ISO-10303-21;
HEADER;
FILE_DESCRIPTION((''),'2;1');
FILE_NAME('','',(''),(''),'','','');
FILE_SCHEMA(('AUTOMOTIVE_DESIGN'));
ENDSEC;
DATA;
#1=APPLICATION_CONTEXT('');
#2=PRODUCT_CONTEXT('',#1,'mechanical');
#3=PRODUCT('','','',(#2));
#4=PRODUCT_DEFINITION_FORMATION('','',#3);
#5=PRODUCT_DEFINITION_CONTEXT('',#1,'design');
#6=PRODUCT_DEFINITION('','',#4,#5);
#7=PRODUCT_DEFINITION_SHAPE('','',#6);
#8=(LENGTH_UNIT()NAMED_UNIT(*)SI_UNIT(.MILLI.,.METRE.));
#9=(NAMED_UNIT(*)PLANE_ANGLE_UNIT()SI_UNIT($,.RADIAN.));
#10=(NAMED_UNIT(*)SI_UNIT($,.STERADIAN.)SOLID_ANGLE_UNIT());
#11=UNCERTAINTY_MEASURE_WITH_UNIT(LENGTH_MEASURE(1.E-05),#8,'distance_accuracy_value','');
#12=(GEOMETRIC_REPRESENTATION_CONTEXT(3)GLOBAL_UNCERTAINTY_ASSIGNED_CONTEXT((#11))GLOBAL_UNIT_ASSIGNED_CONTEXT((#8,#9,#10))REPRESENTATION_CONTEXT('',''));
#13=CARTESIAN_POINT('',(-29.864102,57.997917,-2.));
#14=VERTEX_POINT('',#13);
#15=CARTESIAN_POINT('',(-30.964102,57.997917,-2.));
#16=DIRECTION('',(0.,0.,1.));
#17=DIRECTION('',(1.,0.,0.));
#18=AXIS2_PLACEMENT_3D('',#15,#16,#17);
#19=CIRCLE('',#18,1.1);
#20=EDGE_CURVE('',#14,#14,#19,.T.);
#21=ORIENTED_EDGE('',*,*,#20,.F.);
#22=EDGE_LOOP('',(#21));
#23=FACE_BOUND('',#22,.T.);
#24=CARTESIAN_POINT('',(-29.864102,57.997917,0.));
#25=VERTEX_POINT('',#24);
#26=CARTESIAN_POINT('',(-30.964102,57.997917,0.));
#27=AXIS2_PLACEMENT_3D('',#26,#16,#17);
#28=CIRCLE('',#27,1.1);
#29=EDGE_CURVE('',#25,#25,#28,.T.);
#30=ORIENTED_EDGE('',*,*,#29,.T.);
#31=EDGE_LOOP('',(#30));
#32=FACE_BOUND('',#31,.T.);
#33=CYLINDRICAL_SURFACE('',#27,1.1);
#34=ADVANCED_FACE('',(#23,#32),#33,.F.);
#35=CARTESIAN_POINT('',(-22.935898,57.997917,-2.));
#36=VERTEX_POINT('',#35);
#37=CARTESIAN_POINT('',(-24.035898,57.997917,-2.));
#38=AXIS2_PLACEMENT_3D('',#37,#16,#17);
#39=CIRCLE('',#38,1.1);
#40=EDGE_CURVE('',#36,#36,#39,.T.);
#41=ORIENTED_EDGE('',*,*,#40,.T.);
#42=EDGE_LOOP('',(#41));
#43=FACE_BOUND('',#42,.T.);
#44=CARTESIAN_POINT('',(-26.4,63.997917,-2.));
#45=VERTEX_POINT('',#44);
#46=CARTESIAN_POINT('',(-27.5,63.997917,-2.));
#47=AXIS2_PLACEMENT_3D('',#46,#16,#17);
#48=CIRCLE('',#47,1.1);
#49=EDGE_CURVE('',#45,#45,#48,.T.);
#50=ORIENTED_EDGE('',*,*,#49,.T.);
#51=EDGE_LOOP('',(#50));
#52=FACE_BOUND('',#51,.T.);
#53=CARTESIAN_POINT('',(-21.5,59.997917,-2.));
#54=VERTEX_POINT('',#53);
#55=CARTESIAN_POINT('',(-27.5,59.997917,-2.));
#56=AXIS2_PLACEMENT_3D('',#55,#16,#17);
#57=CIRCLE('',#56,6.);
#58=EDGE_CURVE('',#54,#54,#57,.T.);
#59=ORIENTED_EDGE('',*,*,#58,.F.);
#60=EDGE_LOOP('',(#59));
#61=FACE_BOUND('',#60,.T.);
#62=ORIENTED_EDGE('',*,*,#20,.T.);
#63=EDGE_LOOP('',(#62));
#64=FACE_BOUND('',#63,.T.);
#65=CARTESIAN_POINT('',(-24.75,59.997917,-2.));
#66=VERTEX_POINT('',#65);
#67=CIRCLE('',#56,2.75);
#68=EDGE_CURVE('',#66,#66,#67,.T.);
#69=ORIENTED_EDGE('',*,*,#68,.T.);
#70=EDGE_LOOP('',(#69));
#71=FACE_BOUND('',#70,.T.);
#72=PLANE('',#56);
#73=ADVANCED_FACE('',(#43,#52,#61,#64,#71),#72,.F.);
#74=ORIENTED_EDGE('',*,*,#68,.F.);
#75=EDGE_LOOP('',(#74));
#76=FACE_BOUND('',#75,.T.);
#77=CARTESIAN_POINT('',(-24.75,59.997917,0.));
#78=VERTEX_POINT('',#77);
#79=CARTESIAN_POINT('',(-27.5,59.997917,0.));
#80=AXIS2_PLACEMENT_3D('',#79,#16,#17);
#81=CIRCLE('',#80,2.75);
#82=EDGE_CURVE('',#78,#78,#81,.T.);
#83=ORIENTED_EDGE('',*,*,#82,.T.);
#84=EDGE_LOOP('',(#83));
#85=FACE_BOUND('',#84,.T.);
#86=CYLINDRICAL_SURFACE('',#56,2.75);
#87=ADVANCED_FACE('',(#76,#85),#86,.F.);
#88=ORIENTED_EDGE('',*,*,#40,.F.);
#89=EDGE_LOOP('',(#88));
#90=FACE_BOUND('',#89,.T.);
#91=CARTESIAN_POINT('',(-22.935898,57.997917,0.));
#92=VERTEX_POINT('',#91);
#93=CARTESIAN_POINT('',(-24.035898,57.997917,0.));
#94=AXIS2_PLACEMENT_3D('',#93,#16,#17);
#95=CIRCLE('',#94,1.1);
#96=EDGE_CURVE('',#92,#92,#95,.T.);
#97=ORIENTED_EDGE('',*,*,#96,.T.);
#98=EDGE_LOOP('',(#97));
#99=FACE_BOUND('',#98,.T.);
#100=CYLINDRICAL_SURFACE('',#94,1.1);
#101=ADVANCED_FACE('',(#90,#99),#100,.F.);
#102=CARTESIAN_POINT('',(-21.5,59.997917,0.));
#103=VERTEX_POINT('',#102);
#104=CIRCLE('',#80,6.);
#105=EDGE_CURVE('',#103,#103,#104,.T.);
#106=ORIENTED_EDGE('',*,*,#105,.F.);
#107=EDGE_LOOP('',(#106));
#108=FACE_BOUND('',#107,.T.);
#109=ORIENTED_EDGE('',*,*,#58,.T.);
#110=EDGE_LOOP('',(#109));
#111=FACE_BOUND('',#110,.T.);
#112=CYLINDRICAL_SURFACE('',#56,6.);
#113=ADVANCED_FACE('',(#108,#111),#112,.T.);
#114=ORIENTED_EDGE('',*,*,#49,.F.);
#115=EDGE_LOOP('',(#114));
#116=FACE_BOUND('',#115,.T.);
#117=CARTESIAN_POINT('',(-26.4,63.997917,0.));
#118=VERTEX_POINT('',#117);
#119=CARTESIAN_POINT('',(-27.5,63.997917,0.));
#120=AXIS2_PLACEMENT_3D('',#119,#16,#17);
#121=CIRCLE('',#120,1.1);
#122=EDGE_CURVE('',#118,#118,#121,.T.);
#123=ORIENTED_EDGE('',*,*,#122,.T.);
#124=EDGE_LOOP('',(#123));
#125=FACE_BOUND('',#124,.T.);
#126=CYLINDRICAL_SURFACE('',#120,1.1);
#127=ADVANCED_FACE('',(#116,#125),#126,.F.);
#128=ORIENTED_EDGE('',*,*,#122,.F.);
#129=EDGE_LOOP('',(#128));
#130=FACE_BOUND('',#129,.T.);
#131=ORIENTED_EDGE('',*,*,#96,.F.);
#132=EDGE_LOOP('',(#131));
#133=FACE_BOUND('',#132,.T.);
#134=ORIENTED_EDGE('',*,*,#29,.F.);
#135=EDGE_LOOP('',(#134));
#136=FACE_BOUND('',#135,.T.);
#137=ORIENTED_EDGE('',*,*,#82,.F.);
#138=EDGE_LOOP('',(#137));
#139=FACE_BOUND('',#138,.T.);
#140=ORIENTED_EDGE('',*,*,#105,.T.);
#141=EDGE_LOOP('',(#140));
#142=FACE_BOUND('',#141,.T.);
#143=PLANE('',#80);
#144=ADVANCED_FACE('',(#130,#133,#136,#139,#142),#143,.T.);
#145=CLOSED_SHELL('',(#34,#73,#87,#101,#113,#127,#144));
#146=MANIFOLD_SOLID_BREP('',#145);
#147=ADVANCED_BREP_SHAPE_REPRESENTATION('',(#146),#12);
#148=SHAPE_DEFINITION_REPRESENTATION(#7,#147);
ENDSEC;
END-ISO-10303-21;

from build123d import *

# Parameters (mm, degrees)
SKETCH1_R            = 6
SKETCH1_R_2          = 2.75
BOSS_EXTRUDE1_DEPTH  = 2
M2_CLEARANCE_HOLE1_D = 2.2


with BuildPart() as part:
    # Sketch1 → Boss-Extrude1 (new body)
    with BuildSketch(Plane.XY):
        with Locations((-27.5, 59.99791663)):
            Circle(SKETCH1_R)
        with Locations((-27.5, 59.99791663)):
            Circle(SKETCH1_R_2, mode=Mode.SUBTRACT)
    extrude(amount=-BOSS_EXTRUDE1_DEPTH)

    # M2 Clearance Hole1 (through all)
    with Locations(Plane.XY):
        with Locations((-27.5, 63.99791663), (-24.035898385, 57.99791663), (-30.964101615, 57.99791663)):
            Hole(M2_CLEARANCE_HOLE1_D / 2)


solid = part.part
